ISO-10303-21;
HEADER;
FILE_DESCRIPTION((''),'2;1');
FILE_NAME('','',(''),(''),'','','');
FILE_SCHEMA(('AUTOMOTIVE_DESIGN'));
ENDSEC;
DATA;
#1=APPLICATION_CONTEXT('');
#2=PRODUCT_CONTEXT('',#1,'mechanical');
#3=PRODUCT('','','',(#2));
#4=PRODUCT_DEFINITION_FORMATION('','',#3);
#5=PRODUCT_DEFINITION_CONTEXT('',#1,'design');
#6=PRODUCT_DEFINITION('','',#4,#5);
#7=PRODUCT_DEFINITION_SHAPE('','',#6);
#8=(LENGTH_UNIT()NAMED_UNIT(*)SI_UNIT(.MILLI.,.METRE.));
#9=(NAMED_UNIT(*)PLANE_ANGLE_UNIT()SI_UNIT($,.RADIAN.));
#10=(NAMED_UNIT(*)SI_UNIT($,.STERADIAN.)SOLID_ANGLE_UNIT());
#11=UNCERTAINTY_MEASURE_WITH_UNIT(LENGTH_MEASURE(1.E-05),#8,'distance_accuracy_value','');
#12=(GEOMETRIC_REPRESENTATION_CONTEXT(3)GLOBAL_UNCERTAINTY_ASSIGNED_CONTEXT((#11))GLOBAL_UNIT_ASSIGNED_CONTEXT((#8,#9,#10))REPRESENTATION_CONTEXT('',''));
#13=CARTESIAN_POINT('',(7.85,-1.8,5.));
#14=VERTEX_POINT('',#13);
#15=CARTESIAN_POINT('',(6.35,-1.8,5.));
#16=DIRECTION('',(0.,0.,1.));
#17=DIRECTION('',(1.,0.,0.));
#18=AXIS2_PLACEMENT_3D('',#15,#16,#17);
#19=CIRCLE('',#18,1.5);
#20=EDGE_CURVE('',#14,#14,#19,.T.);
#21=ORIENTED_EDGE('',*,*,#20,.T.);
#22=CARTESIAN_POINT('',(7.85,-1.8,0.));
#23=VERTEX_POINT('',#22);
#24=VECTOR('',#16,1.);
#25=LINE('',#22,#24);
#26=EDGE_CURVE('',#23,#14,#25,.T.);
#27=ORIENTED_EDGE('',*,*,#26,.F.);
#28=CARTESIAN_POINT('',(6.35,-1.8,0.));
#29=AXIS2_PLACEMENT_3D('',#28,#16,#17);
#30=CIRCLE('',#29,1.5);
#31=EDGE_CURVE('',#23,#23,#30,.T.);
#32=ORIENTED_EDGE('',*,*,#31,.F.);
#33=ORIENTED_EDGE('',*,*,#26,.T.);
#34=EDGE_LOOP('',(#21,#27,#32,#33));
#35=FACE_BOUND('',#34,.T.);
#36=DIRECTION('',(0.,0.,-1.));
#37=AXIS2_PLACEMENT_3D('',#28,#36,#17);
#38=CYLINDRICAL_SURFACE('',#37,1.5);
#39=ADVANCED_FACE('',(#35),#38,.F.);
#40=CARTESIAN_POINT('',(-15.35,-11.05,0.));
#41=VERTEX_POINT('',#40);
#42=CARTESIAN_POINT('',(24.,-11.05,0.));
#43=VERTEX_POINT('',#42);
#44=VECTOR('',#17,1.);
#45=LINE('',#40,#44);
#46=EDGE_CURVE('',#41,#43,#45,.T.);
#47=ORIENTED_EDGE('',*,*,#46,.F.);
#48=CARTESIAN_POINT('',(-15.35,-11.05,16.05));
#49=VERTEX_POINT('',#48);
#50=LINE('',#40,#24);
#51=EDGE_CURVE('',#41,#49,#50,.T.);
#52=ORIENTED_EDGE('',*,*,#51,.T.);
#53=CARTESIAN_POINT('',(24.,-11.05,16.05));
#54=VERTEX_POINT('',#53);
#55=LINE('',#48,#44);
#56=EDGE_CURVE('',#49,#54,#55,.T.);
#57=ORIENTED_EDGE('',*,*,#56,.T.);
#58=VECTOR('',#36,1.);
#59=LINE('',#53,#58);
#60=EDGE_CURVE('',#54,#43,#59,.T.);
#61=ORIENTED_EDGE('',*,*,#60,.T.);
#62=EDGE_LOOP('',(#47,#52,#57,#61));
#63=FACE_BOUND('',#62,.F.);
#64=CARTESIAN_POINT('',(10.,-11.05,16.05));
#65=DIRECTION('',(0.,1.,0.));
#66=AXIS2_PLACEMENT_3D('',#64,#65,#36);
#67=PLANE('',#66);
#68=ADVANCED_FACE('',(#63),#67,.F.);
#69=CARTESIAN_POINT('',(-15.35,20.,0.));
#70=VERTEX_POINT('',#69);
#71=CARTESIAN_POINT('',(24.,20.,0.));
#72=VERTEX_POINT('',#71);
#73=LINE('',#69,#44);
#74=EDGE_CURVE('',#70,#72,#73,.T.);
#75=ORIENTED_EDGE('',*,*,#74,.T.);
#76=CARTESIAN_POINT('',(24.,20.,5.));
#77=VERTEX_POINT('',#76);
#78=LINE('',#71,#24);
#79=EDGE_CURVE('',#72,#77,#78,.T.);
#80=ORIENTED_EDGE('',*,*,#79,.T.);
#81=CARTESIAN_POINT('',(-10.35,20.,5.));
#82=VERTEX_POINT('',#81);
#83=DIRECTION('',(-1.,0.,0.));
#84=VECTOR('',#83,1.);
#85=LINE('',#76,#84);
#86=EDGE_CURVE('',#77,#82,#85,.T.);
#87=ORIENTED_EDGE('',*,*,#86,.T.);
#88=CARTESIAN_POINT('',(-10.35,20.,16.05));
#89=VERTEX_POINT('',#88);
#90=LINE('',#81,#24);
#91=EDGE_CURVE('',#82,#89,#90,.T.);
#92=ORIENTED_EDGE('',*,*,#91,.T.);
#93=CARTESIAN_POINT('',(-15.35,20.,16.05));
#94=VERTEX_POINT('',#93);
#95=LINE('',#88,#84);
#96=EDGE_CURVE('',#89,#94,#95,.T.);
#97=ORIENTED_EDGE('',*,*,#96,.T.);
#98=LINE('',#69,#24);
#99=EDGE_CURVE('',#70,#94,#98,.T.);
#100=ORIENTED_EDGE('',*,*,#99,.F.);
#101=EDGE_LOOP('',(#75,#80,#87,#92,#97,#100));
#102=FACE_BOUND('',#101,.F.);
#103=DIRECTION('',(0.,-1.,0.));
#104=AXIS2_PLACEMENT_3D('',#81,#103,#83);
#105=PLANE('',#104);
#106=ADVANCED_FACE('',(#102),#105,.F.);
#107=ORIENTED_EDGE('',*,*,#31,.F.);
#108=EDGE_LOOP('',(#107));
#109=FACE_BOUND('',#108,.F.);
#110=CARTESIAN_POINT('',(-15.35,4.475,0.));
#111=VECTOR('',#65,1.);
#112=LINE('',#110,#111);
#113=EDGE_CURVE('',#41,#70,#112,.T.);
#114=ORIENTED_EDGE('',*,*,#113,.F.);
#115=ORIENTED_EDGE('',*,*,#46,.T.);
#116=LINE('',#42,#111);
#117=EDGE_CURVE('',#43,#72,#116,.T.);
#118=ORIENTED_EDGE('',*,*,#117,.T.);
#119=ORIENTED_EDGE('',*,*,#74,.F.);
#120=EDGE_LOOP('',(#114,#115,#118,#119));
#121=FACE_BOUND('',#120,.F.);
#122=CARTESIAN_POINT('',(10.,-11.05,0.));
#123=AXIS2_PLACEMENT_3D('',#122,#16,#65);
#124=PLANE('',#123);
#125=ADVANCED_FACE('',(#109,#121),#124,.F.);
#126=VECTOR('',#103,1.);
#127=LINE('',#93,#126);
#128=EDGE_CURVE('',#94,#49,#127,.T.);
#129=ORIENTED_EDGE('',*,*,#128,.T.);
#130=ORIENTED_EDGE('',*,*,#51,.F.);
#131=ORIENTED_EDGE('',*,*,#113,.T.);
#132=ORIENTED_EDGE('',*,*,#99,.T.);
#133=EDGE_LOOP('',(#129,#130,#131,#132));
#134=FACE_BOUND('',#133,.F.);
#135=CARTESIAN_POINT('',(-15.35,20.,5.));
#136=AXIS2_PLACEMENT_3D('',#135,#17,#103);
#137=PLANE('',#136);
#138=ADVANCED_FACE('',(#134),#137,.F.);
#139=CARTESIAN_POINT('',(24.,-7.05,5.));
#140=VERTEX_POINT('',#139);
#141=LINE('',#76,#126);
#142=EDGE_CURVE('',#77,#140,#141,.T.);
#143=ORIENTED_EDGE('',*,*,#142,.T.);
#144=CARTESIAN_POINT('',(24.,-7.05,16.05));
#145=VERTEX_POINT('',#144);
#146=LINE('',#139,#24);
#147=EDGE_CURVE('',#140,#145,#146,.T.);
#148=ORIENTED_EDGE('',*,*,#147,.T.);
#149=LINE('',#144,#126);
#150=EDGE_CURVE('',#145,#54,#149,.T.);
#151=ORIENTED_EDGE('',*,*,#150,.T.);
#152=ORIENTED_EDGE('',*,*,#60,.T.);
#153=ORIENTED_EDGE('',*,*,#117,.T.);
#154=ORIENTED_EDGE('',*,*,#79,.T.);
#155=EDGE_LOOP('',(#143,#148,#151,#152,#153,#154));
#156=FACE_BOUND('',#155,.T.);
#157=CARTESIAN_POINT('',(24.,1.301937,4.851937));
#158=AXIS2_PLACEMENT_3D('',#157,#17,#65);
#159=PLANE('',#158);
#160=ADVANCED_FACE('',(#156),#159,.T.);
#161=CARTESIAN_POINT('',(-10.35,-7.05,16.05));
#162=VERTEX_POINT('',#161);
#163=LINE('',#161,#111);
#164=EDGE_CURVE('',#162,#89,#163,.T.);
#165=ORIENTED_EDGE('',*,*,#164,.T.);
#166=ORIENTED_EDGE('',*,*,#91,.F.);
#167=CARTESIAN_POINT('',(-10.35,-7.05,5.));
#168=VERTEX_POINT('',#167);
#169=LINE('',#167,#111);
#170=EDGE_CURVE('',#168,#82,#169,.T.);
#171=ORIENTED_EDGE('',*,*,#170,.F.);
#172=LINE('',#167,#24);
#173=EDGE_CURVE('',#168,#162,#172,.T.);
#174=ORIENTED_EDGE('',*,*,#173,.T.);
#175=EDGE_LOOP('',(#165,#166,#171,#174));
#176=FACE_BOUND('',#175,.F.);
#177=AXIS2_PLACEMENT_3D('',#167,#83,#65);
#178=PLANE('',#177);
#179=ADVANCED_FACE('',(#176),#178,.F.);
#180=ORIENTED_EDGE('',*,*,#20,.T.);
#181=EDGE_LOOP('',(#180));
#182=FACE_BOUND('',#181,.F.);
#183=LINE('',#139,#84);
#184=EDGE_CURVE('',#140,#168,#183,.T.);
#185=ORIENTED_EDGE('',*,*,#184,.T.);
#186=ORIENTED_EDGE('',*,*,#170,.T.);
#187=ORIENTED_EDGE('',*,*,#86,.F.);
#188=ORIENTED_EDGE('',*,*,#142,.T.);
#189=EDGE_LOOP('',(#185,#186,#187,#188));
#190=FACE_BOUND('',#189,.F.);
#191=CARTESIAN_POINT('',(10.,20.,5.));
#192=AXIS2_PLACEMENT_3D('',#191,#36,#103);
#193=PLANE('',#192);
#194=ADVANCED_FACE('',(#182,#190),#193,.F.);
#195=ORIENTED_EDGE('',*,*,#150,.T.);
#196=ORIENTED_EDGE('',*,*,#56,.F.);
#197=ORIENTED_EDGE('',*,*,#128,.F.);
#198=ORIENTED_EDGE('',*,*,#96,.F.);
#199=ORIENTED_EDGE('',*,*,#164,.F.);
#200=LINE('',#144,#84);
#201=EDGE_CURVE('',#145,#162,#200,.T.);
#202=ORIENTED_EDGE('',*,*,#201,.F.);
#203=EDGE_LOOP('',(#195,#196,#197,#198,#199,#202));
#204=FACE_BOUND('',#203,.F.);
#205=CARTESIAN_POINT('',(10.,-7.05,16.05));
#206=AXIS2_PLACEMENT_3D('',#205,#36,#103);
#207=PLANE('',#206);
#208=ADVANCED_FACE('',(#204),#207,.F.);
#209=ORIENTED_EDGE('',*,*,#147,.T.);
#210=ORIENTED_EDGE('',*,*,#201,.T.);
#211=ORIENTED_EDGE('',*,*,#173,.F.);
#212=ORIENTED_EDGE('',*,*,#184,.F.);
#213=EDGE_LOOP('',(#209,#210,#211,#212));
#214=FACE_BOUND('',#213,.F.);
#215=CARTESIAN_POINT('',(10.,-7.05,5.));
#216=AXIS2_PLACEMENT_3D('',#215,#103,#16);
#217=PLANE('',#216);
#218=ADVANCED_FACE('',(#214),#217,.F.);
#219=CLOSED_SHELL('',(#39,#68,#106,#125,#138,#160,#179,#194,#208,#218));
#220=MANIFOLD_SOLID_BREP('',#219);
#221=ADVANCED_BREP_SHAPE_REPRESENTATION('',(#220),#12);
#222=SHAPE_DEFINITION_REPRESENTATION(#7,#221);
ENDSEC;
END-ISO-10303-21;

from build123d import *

# Parameters (mm, degrees)
F0_W     = 25.35
F0_H     = 31.05
F0_R     = 1.5
F1_DEPTH = 5
F3_DEPTH = 11.05
F5_DEPTH = 14


with BuildPart() as f1:
    # F0 (on Top) → F1 (new body)
    with BuildSketch(Plane.XY):
        with Locations((-2.675, 4.475)):
            Rectangle(F0_W, F0_H)
        with Locations((6.35, -1.8)):
            Circle(F0_R, mode=Mode.SUBTRACT)
    extrude(amount=F1_DEPTH)

    # F2 (on face) → F3 (join)
    with BuildSketch(Plane.XY.offset(5)):
        Polygon((-10.35, 20), (-15.35, 20), (-15.35, -11.05), (10, -11.05), (10, -7.05), (-10.35, -7.05), align=None)
    extrude(amount=F3_DEPTH)

    # F4 (on face) → F5 (join)
    with BuildSketch(Plane.YZ.offset(10)):
        Polygon((-7.05, 16.05), (-11.05, 16.05), (-11.05, 0), (20, 0), (20, 5), (-7.05, 5), align=None)
    extrude(amount=F5_DEPTH)


solid = f1.part
